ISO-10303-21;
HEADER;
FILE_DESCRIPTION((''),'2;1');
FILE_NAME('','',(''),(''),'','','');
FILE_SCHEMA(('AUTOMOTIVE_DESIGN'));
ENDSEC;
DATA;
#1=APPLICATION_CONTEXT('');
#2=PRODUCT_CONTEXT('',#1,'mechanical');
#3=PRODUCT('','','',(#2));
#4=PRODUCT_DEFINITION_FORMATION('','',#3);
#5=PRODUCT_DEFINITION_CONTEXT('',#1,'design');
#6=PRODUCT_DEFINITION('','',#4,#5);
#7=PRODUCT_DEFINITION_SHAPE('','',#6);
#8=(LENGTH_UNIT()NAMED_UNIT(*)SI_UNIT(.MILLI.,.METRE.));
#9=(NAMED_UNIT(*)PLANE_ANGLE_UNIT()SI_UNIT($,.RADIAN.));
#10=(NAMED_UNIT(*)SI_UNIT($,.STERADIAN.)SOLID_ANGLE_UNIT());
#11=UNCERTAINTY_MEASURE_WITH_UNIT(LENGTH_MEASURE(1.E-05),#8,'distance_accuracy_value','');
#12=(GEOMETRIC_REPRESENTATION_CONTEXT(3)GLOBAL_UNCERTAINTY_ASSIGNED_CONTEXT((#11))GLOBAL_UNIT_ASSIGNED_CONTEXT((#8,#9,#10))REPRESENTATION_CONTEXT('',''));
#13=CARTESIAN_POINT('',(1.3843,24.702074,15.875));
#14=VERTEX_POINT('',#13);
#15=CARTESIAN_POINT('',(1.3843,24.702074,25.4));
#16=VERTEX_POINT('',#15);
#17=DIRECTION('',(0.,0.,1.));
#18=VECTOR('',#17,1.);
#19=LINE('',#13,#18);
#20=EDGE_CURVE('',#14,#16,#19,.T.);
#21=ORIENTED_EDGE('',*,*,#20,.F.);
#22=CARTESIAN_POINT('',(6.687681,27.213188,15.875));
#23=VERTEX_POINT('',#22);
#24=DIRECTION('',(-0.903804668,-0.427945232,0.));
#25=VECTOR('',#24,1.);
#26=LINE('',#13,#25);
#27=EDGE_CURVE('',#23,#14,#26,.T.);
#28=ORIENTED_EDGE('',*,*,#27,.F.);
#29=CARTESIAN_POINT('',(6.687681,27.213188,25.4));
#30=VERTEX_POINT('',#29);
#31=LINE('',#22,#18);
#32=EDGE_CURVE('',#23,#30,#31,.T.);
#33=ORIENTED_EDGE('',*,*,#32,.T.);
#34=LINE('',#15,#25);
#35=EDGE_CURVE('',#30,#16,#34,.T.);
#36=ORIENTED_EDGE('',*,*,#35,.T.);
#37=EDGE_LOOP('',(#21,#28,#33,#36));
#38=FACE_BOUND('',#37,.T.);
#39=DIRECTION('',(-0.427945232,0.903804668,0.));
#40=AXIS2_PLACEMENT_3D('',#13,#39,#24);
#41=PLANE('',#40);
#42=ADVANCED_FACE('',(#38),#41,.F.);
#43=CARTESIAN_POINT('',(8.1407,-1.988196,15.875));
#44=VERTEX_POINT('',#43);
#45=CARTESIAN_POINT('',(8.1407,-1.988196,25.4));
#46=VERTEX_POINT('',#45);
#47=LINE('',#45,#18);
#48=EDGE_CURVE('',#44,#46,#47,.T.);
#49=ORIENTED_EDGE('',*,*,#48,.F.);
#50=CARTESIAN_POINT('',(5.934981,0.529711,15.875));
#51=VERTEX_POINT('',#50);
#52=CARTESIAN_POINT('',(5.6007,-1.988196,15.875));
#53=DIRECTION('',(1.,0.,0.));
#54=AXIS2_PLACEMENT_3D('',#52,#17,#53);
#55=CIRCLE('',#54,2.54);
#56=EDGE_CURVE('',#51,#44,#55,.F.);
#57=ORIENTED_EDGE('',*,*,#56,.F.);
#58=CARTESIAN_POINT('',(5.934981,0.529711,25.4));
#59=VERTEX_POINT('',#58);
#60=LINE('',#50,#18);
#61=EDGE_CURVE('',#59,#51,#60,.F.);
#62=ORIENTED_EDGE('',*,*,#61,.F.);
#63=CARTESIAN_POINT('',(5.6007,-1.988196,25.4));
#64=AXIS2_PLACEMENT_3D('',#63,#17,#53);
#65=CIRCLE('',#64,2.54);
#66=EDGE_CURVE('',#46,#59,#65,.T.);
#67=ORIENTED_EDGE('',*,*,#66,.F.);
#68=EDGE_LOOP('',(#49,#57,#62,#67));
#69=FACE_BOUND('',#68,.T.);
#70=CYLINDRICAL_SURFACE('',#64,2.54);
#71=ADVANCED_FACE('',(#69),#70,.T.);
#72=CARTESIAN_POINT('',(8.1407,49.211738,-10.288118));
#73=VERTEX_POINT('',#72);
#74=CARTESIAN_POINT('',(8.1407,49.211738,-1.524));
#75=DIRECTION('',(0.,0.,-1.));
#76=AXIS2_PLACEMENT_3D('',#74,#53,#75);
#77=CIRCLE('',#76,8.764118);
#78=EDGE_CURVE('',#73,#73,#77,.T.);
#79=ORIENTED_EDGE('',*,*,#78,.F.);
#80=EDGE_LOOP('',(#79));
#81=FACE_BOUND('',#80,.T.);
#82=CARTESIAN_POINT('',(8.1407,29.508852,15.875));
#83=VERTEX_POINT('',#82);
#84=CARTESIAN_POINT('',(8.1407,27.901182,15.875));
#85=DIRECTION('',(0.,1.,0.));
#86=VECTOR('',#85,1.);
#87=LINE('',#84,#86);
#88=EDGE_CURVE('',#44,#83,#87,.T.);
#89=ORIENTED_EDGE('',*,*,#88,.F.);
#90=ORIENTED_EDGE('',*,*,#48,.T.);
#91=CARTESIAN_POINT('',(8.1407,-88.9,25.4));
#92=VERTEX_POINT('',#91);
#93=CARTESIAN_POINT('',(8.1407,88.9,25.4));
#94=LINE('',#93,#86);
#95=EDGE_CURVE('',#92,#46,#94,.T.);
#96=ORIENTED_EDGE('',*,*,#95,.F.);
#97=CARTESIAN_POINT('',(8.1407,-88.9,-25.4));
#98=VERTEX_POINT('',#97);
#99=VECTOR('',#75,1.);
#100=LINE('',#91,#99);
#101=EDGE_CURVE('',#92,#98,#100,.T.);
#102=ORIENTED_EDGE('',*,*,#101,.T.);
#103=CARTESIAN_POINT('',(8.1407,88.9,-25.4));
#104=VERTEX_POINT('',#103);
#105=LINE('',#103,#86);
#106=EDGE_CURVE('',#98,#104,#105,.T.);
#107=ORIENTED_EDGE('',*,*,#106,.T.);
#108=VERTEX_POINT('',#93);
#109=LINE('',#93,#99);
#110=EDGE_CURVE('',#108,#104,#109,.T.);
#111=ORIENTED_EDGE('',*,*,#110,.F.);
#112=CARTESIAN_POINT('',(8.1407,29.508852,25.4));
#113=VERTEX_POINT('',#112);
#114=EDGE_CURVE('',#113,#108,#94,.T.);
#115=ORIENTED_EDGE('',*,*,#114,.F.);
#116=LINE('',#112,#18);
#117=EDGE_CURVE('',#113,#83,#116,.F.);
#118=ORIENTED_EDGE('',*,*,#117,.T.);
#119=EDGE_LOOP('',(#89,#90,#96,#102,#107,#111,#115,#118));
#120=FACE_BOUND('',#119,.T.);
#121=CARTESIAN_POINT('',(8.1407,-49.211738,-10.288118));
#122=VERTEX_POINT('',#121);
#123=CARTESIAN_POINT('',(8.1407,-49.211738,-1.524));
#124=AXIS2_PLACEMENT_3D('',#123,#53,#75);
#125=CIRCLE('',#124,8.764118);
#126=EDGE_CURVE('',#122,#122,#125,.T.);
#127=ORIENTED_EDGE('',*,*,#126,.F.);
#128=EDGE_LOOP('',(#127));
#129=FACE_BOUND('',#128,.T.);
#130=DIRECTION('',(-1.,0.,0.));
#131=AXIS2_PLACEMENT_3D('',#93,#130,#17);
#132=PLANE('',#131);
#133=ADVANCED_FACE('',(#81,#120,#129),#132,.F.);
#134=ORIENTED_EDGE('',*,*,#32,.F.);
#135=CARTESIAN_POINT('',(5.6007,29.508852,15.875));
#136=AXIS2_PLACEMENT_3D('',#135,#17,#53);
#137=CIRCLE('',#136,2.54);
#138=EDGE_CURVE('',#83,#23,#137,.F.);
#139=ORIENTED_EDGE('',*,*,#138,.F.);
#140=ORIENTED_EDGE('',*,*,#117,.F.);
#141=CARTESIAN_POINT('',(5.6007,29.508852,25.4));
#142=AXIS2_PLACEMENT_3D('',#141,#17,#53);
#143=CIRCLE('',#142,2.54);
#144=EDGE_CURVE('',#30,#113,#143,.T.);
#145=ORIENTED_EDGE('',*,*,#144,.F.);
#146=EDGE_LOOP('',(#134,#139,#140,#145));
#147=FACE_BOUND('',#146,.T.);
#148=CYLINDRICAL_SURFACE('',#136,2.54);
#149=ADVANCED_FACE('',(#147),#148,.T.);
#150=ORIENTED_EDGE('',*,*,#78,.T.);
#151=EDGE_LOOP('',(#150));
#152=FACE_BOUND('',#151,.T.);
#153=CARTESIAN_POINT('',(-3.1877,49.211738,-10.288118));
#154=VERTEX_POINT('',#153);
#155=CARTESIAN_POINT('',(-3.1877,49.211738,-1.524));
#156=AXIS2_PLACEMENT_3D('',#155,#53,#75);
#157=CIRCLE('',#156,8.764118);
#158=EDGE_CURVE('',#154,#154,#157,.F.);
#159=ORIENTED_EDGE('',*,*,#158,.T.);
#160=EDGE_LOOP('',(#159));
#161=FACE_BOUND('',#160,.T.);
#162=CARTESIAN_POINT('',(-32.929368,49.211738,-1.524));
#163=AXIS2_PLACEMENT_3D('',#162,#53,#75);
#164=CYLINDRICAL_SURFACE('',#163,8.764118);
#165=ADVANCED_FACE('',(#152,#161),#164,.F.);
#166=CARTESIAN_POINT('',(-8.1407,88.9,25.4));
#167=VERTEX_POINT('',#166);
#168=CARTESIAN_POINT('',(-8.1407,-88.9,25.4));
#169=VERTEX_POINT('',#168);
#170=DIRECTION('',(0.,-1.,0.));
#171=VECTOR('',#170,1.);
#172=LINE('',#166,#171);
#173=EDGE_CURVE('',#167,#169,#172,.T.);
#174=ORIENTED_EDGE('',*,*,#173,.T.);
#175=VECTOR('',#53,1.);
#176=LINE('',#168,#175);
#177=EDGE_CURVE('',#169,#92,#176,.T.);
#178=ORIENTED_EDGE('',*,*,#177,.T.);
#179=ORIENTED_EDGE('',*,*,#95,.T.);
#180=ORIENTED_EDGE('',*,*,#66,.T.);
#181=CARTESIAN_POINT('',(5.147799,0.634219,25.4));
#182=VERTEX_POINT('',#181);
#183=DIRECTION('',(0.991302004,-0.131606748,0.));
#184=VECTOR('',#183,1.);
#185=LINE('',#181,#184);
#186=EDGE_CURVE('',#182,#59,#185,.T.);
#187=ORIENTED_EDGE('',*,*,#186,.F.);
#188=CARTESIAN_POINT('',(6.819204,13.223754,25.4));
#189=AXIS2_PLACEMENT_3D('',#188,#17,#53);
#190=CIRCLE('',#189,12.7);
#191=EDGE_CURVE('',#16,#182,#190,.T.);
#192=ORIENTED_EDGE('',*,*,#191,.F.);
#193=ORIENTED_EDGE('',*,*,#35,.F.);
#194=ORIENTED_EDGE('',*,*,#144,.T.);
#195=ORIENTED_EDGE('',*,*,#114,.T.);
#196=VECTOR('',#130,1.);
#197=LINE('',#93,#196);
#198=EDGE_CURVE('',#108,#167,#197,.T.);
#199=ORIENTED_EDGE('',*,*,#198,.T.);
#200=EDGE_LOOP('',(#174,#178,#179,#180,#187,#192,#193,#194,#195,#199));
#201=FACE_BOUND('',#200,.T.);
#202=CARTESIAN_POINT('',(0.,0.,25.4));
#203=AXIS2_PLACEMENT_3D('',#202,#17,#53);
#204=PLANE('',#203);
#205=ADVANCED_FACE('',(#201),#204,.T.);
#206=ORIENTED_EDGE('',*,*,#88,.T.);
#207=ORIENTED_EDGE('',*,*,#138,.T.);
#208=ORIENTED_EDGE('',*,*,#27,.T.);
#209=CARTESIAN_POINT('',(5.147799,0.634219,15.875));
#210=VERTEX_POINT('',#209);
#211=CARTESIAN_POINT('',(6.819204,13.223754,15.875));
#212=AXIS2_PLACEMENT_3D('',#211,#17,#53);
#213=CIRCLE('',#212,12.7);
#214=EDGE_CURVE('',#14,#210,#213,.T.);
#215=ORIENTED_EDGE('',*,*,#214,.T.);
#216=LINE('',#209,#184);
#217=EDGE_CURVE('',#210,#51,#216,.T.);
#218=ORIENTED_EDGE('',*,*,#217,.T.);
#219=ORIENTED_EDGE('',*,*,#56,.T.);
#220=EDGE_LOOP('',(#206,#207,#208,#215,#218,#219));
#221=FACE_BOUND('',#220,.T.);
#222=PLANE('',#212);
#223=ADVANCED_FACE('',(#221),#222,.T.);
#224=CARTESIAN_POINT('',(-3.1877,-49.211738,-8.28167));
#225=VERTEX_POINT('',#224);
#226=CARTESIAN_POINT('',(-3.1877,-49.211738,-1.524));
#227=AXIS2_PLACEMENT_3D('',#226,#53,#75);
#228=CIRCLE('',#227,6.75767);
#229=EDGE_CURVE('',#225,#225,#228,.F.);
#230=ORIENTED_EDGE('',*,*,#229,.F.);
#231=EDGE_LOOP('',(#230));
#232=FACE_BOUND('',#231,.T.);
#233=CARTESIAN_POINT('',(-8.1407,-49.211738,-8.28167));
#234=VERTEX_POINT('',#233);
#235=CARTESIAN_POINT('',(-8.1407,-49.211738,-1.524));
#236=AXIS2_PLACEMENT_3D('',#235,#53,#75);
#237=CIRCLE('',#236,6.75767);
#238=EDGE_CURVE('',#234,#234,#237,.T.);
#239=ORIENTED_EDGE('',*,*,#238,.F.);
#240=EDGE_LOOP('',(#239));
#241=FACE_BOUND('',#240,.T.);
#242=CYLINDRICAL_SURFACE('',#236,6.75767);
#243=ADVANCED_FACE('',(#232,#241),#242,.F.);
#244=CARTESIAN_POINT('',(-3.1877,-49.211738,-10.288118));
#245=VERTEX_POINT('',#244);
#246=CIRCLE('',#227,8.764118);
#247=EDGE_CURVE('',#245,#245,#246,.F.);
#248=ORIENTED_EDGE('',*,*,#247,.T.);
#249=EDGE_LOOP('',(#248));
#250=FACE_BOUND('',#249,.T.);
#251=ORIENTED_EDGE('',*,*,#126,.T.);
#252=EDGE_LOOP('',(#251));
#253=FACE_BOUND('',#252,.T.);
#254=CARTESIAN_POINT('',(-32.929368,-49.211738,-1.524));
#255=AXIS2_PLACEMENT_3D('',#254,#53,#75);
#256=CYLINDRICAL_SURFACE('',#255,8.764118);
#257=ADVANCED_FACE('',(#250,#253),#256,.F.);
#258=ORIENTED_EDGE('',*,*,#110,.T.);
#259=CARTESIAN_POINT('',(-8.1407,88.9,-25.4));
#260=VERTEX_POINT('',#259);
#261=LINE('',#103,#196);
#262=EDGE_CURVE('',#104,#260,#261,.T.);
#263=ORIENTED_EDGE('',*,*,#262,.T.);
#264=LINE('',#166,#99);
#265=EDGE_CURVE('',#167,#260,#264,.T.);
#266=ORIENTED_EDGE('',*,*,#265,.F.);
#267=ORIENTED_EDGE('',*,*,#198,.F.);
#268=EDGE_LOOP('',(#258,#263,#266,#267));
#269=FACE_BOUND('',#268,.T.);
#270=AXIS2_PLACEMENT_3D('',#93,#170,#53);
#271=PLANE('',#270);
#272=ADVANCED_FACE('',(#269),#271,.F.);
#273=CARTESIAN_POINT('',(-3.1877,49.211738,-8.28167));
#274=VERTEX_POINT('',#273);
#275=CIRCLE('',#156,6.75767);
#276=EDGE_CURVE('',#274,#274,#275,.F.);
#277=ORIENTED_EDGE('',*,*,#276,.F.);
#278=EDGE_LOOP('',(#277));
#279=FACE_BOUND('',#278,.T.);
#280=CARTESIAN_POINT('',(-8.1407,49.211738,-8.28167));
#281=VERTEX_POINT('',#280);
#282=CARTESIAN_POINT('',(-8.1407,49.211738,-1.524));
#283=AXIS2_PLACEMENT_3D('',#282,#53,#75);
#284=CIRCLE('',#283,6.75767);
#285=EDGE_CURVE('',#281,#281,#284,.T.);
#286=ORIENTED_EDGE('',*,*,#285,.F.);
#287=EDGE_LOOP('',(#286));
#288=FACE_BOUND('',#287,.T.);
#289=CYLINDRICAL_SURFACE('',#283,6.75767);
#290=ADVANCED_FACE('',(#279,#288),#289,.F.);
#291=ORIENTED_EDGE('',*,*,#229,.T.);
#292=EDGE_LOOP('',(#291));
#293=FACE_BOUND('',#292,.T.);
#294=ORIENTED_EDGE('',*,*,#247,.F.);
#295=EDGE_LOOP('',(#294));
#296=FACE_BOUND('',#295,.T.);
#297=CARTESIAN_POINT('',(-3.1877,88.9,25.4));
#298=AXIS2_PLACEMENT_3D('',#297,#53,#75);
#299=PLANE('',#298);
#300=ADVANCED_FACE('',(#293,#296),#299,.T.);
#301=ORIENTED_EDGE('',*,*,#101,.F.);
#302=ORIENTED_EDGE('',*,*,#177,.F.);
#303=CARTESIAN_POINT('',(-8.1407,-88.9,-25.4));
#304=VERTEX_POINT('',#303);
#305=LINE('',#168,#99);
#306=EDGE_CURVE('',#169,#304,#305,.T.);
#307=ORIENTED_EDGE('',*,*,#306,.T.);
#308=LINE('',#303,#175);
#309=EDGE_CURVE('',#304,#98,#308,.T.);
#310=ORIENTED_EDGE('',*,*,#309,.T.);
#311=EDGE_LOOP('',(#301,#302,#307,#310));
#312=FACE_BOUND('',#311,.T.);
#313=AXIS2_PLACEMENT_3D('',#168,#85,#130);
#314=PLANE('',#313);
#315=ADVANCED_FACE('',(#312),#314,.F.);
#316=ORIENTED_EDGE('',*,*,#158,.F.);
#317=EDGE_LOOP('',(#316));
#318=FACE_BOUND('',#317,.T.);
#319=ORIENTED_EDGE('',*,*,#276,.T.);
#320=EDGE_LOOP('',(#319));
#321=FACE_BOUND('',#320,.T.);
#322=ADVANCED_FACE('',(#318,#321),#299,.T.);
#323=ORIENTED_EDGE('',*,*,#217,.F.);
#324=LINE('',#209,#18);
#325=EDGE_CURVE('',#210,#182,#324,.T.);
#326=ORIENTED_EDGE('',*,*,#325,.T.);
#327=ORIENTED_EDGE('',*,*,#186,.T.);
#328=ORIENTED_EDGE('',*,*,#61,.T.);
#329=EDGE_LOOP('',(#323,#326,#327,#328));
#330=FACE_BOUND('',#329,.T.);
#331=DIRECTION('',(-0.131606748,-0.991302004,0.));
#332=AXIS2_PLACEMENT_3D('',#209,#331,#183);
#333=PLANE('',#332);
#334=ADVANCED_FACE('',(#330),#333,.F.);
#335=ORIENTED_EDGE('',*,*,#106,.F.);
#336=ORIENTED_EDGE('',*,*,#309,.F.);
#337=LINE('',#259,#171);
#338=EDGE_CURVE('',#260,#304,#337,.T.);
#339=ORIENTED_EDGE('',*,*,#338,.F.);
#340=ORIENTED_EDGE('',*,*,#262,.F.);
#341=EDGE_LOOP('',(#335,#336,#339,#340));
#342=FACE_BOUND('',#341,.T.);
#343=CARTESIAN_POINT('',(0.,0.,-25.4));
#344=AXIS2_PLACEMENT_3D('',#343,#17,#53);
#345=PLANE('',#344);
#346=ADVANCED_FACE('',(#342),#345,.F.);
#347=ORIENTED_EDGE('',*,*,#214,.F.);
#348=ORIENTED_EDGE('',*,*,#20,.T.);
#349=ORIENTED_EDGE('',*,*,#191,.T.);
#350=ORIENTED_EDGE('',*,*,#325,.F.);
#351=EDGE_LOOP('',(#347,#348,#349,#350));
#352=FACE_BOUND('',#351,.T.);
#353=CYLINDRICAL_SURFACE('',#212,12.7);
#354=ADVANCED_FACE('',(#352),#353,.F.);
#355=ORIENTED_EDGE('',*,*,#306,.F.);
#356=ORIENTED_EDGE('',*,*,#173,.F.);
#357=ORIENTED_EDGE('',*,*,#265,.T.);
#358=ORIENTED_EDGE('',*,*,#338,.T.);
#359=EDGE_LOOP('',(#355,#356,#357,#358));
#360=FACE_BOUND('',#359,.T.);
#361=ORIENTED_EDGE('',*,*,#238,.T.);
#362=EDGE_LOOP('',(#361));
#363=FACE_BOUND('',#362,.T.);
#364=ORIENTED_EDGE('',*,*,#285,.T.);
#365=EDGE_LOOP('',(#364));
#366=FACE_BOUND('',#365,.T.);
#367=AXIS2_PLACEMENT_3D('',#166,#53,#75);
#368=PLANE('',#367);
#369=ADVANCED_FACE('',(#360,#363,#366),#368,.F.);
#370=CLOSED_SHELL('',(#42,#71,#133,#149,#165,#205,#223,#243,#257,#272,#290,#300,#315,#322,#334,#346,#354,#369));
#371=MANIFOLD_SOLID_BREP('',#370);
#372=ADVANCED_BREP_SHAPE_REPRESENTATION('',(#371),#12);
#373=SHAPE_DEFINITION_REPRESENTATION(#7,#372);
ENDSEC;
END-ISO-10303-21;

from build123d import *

# Parameters (mm, degrees)
SKETCH1_W           = 16.2814
SKETCH1_H           = 177.8
BOSS_EXTRUDE1_DEPTH = 25.4
SKETCH2_R           = 6.75767
CUT_EXTRUDE1_DEPTH  = 94.879997795
SKETCH3_R           = 8.7641176
CUT_EXTRUDE2_DEPTH  = 11.3284
CUT_EXTRUDE3_DEPTH  = 9.525
FILLET1_R           = 2.54


with BuildPart() as part:
    # Sketch1 → Boss-Extrude1 (new, symmetric)
    with BuildSketch(Plane.XY):
        Rectangle(SKETCH1_W, SKETCH1_H)
    extrude(amount=BOSS_EXTRUDE1_DEPTH, both=True)

    # Sketch2 → Cut-Extrude1 (cut, through all)
    with BuildSketch(Plane(origin=(8.1407, 0, 0), x_dir=(0, 0, -1), z_dir=(1, 0, 0))):
        with Locations((1.524, 49.211738)):
            Circle(SKETCH2_R)
        with Locations((1.524, -49.211738)):
            Circle(SKETCH2_R)
    extrude(amount=-CUT_EXTRUDE1_DEPTH, mode=Mode.SUBTRACT)

    # Sketch3 → Cut-Extrude2 (cut)
    with BuildSketch(Plane(origin=(8.1407, 0, 0), x_dir=(0, 0, -1), z_dir=(1, 0, 0))):
        with Locations((1.524, 49.211738)):
            Circle(SKETCH3_R)
        with Locations((1.524, -49.211738)):
            Circle(SKETCH3_R)
    extrude(amount=-CUT_EXTRUDE2_DEPTH, mode=Mode.SUBTRACT)

    # Sketch5 → Cut-Extrude3 (cut)
    with BuildSketch(Plane.XY.offset(25.4)):
        with BuildLine():
            Line((1.3843, 24.702073714), (8.1407, 27.901182182))
            Line((8.1407, 27.901182182), (8.1407, 0.236876892))
            Line((8.1407, 0.236876892), (5.147798748, 0.634218973))
            ThreePointArc((5.147798748, 0.634218973), (-5.728317972, 11.261694019), (1.3843, 24.702073714))
        make_face()
    extrude(amount=-CUT_EXTRUDE3_DEPTH, mode=Mode.SUBTRACT)

    # Fillet1
    fillet1_edges = [part.edges().sort_by_distance(p)[0] for p in [
        (8.1407, 27.901182182, 20.6375),
        (8.1407, 0.236876892, 20.6375),
    ]]
    fillet(fillet1_edges, radius=FILLET1_R)


solid = part.part
